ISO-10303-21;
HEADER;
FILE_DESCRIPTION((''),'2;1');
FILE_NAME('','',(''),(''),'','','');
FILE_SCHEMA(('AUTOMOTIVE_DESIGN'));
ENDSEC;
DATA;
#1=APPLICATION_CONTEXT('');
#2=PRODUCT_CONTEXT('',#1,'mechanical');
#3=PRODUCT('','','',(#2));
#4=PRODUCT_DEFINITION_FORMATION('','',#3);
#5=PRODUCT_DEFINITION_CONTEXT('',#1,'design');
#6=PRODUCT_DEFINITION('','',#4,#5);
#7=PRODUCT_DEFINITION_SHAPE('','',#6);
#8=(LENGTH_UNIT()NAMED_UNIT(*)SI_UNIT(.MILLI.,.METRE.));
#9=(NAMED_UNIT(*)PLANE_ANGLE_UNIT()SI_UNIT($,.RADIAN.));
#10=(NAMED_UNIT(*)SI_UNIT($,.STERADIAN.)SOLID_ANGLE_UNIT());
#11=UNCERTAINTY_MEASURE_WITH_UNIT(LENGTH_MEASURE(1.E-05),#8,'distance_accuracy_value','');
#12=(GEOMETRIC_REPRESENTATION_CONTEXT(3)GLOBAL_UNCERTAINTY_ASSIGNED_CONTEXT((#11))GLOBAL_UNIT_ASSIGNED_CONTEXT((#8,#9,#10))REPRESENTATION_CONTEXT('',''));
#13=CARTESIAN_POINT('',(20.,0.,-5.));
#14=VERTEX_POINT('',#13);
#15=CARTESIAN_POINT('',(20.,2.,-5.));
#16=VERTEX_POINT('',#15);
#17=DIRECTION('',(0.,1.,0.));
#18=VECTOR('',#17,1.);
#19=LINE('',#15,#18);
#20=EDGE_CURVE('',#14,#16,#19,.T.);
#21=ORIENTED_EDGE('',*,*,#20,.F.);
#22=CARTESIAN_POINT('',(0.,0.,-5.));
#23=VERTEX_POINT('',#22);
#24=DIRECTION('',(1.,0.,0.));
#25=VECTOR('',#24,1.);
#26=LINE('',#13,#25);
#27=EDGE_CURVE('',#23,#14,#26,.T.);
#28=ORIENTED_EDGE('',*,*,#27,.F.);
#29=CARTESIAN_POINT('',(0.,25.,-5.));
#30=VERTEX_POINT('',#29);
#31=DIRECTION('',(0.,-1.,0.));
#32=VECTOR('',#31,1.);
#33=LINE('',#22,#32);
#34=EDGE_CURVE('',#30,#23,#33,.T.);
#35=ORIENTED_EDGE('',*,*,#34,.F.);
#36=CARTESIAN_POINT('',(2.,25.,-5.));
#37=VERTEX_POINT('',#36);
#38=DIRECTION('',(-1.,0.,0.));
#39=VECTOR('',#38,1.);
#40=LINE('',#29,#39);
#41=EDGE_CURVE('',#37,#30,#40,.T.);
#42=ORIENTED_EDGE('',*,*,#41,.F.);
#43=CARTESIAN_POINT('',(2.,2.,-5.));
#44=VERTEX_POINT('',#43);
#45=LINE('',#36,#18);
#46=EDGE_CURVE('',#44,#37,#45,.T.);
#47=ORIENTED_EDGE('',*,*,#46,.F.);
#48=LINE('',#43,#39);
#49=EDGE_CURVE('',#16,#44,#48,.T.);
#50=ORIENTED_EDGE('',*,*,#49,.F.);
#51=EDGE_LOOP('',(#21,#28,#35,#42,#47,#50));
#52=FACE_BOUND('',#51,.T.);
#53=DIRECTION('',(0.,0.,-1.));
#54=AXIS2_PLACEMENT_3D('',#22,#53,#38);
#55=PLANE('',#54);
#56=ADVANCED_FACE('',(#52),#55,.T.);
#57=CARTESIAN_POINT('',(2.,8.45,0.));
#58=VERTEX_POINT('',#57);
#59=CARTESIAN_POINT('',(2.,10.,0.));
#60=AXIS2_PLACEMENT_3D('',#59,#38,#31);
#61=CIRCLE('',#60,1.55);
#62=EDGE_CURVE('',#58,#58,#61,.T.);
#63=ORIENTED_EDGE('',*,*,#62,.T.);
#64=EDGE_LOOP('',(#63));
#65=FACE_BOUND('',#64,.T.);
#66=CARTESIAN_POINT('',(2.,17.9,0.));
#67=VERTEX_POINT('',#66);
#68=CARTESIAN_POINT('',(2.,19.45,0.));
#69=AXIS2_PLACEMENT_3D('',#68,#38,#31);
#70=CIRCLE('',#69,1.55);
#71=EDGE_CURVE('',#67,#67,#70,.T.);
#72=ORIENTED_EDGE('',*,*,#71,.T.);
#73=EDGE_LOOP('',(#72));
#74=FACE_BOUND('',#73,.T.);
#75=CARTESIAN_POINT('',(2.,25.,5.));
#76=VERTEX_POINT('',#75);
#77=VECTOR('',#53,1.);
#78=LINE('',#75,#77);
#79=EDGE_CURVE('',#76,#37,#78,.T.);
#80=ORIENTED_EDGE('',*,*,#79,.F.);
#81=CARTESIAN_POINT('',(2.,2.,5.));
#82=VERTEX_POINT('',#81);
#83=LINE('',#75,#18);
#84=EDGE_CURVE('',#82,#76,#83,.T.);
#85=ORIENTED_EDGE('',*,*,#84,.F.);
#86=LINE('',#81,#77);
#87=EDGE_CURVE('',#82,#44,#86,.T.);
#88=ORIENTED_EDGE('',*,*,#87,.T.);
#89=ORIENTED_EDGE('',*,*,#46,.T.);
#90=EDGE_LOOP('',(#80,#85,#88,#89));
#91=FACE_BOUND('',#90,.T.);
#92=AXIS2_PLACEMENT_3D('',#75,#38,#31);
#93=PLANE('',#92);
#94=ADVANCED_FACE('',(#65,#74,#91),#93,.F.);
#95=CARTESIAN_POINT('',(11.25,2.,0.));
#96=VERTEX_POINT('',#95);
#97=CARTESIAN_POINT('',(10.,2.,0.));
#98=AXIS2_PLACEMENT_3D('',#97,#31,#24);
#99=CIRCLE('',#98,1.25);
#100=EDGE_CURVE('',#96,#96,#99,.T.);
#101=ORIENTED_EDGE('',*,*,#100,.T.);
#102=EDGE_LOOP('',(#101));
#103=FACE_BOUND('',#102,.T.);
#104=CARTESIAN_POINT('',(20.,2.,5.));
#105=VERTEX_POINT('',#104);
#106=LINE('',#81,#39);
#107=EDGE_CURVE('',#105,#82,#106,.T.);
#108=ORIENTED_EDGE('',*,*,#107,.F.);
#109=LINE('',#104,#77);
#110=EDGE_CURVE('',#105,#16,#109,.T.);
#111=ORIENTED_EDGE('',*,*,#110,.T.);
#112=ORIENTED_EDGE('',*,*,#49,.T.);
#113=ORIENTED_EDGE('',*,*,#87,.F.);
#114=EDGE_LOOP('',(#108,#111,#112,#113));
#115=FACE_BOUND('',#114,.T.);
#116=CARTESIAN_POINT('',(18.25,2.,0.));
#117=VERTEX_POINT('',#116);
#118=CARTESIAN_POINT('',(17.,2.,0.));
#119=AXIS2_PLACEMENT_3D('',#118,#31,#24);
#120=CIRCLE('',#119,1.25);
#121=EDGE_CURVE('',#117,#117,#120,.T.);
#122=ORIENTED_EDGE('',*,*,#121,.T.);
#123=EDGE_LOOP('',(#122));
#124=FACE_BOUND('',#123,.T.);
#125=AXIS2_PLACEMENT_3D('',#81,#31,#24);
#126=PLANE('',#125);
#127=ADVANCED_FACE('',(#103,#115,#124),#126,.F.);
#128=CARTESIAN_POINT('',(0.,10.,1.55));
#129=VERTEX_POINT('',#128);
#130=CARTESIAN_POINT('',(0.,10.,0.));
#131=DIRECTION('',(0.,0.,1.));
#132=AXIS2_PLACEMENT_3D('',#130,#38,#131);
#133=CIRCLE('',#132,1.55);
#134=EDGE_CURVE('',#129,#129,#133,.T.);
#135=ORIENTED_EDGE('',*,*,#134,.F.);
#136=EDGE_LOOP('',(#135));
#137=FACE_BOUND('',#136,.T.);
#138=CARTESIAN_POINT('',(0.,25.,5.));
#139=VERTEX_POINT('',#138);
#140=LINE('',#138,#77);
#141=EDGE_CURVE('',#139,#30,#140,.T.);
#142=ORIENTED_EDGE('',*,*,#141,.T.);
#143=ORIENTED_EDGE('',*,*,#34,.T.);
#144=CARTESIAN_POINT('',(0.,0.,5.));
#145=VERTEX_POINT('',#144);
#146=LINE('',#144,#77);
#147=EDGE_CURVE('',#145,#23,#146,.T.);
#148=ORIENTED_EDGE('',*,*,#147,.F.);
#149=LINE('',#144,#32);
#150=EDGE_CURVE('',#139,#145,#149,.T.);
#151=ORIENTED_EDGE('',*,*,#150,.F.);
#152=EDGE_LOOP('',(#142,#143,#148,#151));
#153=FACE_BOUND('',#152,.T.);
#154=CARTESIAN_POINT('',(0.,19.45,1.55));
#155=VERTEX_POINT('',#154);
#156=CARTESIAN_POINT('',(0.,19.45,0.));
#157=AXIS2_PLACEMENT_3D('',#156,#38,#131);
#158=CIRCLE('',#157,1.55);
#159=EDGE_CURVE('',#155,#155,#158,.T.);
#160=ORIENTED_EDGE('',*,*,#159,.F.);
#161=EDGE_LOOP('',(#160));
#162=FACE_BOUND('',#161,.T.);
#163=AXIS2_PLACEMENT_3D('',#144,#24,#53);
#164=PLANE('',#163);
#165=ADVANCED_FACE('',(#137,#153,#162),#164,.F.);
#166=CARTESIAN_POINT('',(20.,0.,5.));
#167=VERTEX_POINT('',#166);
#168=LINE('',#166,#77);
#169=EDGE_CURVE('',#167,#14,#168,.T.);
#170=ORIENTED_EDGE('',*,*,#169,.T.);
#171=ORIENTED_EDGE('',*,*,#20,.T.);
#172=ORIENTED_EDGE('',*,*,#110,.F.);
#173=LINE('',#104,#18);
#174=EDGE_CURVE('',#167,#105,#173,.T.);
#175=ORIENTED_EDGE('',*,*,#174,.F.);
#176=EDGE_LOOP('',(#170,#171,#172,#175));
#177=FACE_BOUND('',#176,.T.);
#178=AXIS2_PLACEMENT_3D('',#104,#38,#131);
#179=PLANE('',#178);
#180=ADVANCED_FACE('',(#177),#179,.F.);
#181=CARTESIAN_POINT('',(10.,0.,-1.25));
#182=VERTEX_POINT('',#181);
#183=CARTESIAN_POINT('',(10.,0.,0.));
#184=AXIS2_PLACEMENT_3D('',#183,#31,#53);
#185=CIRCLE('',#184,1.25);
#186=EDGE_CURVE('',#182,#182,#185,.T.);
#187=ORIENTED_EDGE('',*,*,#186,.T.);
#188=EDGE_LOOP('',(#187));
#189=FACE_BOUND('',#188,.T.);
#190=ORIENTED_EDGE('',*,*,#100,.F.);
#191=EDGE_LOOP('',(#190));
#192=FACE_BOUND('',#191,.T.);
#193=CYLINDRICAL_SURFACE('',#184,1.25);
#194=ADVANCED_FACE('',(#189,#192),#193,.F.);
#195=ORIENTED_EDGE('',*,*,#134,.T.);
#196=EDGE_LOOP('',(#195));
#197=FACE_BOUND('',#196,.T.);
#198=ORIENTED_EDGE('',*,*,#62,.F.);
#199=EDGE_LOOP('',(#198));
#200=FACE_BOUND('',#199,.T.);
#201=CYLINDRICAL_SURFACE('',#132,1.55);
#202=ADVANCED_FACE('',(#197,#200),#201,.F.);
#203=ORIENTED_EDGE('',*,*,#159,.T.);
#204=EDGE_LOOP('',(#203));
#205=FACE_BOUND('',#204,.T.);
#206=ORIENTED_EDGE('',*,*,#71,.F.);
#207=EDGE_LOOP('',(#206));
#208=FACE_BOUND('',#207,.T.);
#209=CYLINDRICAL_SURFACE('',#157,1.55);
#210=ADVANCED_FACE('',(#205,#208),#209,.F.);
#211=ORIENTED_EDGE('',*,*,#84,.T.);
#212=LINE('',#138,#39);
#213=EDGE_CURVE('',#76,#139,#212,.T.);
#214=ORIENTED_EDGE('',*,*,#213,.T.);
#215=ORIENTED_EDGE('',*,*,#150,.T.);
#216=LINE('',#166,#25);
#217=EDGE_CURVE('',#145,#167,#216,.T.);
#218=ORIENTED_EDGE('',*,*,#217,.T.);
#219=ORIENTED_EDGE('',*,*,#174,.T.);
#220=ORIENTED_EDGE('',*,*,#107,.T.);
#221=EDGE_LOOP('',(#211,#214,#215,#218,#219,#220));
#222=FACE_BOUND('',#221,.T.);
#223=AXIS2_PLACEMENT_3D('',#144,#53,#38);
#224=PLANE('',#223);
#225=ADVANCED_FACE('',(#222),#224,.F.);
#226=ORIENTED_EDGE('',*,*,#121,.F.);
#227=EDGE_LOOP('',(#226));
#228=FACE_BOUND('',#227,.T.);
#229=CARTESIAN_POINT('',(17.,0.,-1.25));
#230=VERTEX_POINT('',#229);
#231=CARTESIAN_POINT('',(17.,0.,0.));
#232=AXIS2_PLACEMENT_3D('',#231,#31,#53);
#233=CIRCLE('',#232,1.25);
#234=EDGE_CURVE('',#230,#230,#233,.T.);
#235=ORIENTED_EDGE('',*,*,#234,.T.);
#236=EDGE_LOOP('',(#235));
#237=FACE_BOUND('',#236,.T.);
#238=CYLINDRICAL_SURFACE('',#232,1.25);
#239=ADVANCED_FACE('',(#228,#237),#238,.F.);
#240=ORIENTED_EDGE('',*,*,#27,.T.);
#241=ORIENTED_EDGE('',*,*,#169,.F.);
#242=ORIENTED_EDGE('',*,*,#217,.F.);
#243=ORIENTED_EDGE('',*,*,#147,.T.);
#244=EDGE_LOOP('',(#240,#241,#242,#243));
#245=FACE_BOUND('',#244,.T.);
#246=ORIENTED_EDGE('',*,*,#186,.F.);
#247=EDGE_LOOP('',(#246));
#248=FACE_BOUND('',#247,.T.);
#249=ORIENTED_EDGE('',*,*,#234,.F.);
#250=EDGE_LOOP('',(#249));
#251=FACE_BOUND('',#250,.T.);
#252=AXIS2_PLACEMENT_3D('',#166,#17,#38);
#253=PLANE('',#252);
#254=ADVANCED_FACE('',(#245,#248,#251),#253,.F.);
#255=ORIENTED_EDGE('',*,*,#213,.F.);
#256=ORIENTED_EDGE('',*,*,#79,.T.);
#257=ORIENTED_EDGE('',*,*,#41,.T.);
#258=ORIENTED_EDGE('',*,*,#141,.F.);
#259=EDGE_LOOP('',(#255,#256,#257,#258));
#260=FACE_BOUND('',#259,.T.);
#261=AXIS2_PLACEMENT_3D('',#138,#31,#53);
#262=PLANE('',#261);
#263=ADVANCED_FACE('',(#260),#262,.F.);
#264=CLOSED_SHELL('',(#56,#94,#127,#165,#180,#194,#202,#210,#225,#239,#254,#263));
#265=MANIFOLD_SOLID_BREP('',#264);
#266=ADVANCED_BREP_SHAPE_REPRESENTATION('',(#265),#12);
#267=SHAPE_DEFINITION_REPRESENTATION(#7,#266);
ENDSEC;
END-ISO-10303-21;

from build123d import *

# Parameters (mm, degrees)
BASE_DEPTH                   = 5
M3X0_5_MOUNTHOLES_D          = 2.5
F_3_1_3_1_LIMITSWITCHHOLES_D = 3.1


with BuildPart() as part:
    # Sketch1 → Base (new body, symmetric)
    with BuildSketch(Plane.XY):
        Polygon((0, 0), (0, 25), (2, 25), (2, 2), (20, 2), (20, 0), align=None)
    extrude(amount=BASE_DEPTH, both=True)

    # M3x0.5 MountHoles (through all)
    with Locations(Plane(origin=(0, 0, 0), x_dir=(-1, 0, 0), z_dir=(0, -1, 0))):
        with Locations((-10, 0), (-17, 0)):
            Hole(M3X0_5_MOUNTHOLES_D / 2)

    # Ø3.1 (3.1) LimitSwitchHoles (through all)
    with Locations(Plane(origin=(0, 10, 0), x_dir=(0, 0, -1), z_dir=(-1, 0, 0))):
        with Locations((0, 0), (0, -9.45)):
            Hole(F_3_1_3_1_LIMITSWITCHHOLES_D / 2)


solid = part.part
